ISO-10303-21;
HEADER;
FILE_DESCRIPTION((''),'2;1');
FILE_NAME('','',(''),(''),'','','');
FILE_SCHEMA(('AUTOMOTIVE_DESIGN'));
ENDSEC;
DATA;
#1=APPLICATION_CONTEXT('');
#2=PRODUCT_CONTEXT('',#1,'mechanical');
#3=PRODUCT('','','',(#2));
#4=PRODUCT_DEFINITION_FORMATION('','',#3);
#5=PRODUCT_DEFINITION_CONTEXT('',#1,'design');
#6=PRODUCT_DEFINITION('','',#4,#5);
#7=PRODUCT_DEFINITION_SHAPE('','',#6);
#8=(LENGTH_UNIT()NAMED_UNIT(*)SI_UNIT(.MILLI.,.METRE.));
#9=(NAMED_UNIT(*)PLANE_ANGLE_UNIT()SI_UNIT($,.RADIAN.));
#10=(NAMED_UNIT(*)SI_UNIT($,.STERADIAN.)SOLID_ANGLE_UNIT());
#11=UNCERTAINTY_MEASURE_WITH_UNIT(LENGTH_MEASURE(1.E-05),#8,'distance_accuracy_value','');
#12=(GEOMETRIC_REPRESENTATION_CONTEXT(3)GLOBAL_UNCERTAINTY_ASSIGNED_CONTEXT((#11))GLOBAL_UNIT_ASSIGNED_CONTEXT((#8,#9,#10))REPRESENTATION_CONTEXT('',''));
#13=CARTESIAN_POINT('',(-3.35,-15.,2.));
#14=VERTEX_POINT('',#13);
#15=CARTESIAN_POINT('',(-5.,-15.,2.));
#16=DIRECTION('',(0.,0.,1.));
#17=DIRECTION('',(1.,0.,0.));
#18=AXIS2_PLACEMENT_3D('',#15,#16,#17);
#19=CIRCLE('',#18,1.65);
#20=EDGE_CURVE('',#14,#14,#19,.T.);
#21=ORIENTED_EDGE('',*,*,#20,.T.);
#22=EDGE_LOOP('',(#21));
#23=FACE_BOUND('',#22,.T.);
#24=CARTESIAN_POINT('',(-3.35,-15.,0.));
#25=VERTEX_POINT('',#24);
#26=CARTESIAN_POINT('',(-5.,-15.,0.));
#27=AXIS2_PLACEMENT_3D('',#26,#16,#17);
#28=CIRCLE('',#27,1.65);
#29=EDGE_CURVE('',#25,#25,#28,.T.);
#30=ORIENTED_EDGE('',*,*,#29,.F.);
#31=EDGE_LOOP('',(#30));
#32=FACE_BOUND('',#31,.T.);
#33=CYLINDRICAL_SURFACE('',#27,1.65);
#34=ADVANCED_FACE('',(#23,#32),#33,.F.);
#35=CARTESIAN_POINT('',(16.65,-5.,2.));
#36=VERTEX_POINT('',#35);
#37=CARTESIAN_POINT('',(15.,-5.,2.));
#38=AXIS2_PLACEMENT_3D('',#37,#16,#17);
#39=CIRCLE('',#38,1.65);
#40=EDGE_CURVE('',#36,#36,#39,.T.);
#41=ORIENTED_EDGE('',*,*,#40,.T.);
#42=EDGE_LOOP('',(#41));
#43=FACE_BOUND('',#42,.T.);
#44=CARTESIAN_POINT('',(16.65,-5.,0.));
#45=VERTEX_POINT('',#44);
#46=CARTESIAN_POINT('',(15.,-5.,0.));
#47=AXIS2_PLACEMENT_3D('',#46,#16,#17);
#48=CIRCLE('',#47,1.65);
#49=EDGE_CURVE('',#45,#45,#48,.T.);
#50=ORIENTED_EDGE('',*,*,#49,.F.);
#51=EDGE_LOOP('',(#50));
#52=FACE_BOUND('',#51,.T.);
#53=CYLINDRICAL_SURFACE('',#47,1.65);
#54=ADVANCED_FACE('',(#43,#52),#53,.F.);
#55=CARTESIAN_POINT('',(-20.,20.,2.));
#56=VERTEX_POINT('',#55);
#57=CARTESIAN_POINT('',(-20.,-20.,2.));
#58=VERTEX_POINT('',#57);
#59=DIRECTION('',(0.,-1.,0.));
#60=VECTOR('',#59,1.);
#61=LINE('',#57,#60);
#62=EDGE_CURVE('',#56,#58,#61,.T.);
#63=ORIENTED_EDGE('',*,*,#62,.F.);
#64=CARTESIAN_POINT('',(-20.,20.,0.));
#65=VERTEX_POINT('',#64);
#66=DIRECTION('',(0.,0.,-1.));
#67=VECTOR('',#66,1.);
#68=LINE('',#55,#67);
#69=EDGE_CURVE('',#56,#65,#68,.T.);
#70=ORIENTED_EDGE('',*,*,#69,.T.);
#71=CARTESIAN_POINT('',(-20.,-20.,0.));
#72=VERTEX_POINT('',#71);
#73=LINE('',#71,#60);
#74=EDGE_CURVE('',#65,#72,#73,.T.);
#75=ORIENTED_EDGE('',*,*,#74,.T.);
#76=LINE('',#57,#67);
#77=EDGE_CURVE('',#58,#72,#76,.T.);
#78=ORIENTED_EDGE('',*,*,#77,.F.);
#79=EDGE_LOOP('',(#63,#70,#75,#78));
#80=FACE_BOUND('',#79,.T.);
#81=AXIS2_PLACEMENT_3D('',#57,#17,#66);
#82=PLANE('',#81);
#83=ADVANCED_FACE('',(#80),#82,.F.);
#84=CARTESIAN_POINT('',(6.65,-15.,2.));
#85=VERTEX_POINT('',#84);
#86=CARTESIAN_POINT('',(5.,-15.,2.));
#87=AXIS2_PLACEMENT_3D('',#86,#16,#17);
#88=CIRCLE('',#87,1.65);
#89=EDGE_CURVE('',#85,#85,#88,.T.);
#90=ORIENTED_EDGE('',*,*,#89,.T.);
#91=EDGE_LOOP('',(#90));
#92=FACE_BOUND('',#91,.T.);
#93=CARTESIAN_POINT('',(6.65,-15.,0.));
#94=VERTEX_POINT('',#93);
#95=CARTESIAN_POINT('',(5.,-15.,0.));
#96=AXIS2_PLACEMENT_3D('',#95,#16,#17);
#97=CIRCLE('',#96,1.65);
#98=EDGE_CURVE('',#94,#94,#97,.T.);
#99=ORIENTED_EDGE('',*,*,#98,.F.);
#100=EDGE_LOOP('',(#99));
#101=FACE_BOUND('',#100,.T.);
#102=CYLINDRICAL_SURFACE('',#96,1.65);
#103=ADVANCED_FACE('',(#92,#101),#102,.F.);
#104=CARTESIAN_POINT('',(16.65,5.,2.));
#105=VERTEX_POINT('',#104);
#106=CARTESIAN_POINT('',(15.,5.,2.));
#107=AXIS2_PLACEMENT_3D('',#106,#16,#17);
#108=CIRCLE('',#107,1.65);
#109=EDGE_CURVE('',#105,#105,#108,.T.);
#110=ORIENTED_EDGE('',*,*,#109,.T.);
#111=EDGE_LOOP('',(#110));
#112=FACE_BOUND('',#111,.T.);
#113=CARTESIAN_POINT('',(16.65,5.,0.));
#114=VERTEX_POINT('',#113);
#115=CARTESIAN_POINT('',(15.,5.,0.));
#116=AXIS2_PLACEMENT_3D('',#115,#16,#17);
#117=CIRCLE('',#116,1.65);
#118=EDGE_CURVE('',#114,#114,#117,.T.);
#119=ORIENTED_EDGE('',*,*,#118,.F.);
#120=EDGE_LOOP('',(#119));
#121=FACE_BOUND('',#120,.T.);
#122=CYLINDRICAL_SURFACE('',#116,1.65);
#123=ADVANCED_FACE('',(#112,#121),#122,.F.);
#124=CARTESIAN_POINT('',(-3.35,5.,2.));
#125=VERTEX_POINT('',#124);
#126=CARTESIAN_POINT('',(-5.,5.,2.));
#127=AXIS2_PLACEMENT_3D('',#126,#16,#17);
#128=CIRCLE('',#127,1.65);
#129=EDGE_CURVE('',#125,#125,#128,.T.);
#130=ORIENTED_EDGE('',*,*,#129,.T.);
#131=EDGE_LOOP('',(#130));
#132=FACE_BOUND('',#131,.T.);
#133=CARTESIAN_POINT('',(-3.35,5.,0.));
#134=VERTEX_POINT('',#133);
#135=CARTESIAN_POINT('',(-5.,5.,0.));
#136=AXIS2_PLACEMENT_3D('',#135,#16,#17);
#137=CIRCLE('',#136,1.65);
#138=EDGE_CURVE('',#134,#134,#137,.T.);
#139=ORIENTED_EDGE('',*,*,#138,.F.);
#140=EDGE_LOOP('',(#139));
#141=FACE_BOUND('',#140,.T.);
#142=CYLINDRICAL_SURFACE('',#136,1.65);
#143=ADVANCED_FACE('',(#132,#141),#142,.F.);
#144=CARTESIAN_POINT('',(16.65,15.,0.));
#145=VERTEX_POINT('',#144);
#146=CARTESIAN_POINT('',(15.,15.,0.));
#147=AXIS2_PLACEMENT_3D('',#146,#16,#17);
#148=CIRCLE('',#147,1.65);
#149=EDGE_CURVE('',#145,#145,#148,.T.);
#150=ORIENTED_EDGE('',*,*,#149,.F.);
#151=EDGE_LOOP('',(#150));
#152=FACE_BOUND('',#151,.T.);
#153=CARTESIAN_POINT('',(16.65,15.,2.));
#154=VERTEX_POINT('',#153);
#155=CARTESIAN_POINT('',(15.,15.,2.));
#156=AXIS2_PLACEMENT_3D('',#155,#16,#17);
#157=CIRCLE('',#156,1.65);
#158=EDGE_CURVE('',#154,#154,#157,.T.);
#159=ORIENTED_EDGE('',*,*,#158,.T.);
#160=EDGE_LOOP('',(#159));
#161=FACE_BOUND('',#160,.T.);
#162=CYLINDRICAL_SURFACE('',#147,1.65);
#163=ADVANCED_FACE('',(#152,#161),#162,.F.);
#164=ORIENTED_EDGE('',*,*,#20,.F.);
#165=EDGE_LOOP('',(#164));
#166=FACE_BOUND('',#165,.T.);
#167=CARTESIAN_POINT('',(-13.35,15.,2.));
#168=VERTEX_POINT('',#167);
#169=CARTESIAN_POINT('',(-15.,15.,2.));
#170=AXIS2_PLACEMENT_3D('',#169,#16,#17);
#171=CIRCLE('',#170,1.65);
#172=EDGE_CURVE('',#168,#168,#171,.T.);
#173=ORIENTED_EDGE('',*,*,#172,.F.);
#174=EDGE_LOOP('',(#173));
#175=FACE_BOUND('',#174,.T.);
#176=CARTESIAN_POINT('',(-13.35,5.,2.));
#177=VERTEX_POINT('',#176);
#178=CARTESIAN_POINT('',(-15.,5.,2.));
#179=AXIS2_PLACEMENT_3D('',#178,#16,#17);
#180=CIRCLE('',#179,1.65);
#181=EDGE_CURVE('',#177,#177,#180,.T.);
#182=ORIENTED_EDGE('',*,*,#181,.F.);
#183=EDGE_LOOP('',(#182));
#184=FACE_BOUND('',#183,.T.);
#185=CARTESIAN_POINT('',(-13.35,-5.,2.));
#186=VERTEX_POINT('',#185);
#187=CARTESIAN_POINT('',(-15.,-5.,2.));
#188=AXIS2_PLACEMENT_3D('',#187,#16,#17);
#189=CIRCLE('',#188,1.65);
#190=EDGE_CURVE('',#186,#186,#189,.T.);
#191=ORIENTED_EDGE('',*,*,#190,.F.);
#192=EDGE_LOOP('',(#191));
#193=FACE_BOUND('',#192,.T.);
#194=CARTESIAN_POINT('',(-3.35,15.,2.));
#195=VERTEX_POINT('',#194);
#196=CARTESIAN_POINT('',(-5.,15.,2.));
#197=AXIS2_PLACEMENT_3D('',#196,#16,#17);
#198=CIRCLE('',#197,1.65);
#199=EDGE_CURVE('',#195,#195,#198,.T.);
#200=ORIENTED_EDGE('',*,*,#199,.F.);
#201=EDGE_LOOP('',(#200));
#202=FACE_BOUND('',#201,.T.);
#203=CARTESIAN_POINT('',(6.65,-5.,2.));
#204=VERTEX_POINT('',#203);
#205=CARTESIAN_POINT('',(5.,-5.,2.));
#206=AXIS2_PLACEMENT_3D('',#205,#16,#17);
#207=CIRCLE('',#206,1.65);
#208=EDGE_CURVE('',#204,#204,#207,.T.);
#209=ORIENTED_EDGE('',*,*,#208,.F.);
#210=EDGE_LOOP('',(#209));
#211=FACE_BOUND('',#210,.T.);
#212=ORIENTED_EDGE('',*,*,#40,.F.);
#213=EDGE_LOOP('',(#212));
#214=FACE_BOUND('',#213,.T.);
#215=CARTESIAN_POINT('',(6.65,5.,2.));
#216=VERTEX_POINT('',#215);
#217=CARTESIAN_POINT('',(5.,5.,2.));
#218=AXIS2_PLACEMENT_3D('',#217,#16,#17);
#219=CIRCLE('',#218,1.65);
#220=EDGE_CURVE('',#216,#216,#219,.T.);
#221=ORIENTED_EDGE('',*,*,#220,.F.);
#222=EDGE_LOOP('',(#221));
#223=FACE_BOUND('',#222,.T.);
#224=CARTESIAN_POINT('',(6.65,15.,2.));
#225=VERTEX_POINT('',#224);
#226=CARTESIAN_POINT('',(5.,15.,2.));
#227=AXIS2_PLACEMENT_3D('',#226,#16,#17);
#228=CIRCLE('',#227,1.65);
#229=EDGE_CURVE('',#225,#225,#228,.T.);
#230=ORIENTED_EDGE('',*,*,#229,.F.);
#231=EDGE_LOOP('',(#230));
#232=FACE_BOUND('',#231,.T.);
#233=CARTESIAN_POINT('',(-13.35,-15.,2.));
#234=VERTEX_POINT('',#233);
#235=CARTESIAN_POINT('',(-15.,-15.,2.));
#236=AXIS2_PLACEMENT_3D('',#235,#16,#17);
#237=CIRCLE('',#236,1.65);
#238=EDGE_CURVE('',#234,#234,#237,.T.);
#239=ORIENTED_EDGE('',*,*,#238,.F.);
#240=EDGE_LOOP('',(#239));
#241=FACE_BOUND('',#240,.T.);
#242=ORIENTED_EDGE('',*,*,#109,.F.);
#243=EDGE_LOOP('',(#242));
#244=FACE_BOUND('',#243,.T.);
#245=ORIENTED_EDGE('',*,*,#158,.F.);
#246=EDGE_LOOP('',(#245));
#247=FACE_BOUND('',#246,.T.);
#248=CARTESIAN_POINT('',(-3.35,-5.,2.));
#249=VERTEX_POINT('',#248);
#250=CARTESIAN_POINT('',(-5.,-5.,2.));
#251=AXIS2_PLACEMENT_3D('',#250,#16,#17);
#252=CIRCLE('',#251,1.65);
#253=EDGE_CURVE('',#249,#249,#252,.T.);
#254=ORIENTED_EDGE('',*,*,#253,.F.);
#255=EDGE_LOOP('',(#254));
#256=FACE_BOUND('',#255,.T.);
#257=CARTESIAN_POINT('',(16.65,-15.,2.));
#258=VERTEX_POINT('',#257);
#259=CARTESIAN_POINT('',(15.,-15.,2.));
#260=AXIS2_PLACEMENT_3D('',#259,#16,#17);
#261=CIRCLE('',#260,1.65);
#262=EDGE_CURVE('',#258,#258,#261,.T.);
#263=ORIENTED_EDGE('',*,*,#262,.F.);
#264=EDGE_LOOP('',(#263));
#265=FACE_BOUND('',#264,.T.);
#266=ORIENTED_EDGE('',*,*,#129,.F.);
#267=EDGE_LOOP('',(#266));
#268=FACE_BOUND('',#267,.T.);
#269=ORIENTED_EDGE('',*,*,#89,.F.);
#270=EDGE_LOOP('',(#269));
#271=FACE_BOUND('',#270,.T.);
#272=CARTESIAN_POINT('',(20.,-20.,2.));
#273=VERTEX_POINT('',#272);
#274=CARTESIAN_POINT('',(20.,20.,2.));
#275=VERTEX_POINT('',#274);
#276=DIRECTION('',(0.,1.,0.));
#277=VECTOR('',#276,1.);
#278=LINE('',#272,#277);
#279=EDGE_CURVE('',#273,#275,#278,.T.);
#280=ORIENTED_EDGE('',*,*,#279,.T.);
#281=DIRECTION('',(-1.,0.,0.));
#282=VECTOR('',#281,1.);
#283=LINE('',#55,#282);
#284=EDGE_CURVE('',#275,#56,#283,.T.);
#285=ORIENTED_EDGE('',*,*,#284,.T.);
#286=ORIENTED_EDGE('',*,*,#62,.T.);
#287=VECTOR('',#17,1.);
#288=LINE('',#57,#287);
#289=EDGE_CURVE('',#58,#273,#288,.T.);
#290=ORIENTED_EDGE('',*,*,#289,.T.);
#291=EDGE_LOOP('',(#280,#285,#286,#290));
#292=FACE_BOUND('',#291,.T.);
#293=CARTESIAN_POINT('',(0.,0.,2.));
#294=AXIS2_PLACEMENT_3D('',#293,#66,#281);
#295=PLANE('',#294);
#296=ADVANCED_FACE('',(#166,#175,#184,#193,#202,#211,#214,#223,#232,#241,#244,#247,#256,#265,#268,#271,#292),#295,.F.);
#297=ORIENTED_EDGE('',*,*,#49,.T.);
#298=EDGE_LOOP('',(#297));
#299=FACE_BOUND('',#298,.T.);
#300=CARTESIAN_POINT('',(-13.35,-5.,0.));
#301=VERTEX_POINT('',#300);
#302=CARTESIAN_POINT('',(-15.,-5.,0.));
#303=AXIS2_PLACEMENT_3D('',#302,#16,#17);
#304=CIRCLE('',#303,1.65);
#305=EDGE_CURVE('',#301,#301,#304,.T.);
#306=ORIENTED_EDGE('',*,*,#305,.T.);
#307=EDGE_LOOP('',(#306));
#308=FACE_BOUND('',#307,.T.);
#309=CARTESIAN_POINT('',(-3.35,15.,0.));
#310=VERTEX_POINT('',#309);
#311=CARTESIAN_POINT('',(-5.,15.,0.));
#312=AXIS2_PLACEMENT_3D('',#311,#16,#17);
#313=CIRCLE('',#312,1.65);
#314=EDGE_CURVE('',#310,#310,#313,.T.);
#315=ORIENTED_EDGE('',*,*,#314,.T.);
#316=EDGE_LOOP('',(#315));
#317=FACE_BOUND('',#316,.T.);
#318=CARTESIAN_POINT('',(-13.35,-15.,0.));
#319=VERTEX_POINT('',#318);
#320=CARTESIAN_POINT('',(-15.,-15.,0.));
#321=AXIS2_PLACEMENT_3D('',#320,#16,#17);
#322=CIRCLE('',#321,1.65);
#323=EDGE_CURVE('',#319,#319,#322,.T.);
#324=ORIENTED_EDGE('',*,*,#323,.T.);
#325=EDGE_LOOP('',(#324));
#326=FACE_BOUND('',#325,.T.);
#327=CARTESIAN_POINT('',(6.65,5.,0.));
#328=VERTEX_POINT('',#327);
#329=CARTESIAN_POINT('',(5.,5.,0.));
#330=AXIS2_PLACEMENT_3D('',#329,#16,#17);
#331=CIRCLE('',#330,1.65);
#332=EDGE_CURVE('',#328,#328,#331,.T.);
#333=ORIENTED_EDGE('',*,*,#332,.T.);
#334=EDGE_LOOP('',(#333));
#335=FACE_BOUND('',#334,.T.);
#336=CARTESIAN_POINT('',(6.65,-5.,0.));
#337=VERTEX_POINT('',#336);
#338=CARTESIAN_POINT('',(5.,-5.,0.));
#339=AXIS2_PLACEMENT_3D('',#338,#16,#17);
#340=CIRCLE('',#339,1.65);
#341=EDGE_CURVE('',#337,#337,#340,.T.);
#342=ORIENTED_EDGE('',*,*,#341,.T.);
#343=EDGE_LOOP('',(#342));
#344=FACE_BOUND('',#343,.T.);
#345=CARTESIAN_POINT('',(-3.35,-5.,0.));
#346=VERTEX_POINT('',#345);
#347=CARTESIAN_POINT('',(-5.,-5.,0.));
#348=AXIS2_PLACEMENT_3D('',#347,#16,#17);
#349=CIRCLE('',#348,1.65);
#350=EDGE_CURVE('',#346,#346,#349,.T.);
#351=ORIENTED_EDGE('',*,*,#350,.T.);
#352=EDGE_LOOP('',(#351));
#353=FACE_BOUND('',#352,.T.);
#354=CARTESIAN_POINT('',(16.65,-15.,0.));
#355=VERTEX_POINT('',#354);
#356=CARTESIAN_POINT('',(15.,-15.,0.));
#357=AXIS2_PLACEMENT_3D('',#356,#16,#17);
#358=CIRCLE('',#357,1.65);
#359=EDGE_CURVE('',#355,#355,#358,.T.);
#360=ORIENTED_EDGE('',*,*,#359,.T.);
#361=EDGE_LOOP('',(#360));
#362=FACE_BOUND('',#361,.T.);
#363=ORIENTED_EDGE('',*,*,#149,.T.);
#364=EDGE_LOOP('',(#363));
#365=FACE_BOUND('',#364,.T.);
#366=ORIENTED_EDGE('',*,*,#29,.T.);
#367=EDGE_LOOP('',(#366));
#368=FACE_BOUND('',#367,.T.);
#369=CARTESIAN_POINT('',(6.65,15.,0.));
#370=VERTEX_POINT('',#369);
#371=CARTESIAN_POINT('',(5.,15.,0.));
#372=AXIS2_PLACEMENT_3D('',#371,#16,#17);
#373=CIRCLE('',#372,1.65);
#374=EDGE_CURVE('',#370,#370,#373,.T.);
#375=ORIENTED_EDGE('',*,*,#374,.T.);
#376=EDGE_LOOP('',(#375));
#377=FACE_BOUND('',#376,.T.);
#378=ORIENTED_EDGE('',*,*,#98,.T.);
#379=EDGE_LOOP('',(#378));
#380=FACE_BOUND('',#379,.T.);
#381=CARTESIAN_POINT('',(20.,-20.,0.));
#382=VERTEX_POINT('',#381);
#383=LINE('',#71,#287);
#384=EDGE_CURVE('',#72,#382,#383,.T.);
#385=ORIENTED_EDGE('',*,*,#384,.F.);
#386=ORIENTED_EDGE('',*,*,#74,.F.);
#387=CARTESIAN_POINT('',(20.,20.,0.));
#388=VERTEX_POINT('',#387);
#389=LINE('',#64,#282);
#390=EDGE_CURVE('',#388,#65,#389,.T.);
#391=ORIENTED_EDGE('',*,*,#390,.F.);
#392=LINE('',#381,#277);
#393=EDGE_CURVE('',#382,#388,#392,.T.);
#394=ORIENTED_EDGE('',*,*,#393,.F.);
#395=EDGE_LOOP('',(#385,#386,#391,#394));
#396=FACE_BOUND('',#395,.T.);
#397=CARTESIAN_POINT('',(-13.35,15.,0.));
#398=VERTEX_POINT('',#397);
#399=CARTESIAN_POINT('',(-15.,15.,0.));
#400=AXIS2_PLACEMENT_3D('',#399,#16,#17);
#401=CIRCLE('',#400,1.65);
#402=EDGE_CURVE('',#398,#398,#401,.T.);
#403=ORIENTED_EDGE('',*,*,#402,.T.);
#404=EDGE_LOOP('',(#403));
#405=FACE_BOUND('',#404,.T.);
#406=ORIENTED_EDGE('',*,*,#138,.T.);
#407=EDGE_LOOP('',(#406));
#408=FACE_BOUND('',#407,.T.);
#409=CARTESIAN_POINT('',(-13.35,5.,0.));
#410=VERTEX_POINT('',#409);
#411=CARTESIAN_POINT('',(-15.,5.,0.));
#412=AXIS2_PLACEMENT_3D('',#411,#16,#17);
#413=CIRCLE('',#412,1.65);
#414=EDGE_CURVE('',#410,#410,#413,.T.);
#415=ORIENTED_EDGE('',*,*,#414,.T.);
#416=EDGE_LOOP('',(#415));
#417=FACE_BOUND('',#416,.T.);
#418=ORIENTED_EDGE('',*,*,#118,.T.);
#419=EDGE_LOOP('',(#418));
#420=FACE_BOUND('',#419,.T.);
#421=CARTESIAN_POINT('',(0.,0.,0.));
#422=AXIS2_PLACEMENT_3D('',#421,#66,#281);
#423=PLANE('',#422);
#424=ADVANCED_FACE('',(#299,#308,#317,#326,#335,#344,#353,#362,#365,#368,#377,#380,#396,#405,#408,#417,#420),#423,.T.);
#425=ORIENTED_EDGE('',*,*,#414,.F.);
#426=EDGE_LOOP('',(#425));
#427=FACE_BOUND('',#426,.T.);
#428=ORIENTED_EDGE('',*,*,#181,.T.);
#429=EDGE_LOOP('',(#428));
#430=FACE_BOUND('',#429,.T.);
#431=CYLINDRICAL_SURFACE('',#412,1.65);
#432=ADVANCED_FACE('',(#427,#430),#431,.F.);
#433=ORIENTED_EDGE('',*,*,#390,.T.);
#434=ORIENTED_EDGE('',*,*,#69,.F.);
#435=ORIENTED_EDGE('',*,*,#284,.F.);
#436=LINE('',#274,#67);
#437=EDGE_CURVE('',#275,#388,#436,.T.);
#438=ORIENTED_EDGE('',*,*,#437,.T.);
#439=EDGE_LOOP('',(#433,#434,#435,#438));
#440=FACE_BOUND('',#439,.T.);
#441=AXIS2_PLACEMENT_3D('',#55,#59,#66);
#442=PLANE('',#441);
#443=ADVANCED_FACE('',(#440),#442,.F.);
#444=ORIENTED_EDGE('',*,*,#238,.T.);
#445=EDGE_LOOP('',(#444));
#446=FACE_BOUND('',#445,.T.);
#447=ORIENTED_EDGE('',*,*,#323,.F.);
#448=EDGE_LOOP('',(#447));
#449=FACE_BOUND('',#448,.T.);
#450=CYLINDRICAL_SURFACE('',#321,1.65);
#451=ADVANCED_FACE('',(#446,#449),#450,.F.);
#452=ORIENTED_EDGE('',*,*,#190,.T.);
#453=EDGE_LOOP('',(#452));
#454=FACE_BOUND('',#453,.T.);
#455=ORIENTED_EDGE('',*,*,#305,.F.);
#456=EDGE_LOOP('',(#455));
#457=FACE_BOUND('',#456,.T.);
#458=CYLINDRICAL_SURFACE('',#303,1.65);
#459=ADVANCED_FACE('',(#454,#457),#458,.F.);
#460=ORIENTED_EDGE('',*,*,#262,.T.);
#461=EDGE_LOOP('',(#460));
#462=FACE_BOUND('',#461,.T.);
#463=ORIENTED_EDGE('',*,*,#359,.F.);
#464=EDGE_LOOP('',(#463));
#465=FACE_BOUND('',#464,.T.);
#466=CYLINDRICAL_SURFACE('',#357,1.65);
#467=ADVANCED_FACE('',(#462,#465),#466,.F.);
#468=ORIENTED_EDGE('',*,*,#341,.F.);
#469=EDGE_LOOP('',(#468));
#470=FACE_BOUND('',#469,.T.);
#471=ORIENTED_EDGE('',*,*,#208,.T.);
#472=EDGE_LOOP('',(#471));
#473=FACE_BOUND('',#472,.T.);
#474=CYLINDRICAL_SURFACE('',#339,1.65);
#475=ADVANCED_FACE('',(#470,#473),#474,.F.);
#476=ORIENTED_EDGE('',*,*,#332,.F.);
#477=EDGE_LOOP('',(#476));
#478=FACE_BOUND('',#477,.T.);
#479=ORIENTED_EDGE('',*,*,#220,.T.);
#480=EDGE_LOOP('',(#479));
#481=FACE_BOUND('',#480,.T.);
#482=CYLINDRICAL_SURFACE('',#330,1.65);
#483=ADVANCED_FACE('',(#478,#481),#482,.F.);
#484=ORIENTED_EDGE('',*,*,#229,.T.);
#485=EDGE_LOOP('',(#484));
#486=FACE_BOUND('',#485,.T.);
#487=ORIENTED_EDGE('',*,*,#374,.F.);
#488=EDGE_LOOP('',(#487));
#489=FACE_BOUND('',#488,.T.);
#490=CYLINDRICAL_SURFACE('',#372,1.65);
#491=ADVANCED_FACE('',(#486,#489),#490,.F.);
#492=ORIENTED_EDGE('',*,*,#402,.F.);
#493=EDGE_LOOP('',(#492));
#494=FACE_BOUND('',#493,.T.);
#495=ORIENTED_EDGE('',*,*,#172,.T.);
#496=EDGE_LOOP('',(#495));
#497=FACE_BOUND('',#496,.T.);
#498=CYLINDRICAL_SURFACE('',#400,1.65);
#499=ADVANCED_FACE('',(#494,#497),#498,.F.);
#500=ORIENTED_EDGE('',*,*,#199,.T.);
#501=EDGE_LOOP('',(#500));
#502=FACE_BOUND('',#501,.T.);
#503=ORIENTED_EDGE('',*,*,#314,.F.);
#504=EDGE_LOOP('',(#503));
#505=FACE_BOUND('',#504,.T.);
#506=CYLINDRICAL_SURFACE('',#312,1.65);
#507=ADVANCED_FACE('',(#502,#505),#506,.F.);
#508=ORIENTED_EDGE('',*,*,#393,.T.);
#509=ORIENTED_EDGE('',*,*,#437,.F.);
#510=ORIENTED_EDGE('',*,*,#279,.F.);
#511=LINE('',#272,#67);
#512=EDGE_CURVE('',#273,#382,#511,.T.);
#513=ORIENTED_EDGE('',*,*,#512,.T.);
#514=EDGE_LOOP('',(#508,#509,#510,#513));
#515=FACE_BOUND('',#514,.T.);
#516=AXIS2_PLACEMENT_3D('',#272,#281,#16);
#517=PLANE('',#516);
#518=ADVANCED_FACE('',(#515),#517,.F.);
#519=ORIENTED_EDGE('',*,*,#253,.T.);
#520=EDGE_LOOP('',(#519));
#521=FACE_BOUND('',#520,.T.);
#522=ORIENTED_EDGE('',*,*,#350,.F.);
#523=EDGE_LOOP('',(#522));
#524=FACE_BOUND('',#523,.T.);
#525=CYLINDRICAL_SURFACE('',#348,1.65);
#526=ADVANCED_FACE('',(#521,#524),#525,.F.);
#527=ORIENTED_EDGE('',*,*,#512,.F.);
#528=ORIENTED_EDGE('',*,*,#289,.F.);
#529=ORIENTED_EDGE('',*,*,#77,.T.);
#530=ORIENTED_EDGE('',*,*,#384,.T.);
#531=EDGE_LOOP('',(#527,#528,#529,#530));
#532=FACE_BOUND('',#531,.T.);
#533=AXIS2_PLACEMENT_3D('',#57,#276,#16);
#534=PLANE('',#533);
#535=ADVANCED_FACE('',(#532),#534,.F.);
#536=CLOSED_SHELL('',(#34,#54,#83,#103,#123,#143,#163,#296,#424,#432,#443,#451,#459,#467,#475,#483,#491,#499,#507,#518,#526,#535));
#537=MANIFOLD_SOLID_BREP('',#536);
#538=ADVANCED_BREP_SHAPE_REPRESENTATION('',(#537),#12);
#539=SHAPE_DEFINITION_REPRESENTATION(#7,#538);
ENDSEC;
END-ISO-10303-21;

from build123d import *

# Parameters (mm, degrees)
SKETCH1_W            = 40
SKETCH1_H            = 40
BOSS_EXTRUDE1_DEPTH  = 2
SKETCH2_R            = 1.65
CUT_EXTRUDE1_DEPTH   = 3
LPATTERN1_COUNT      = 4
LPATTERN1_PITCH      = 10
LPATTERN1_COUNT_DIR2 = 4
LPATTERN1_PITCH_DIR2 = 10


with BuildPart() as part:
    # Sketch1 → Boss-Extrude1 (new body)
    with BuildSketch(Plane.XY):
        Rectangle(SKETCH1_W, SKETCH1_H)
    extrude(amount=BOSS_EXTRUDE1_DEPTH)

    # Sketch2 → Cut-Extrude1 (cut, through all)
    with BuildSketch(Plane.XY.offset(2)):
        with Locations((-15, 15)):
            Circle(SKETCH2_R)
    cut_extrude1 = extrude(amount=-CUT_EXTRUDE1_DEPTH, mode=Mode.SUBTRACT)

    # LPattern1: Cut-Extrude1 4 × 4
    with Locations(*[(j * LPATTERN1_PITCH_DIR2, -i * LPATTERN1_PITCH, 0) for i in range(LPATTERN1_COUNT) for j in range(LPATTERN1_COUNT_DIR2) if (i, j) != (0, 0)]):
        add(cut_extrude1, mode=Mode.SUBTRACT)


solid = part.part
